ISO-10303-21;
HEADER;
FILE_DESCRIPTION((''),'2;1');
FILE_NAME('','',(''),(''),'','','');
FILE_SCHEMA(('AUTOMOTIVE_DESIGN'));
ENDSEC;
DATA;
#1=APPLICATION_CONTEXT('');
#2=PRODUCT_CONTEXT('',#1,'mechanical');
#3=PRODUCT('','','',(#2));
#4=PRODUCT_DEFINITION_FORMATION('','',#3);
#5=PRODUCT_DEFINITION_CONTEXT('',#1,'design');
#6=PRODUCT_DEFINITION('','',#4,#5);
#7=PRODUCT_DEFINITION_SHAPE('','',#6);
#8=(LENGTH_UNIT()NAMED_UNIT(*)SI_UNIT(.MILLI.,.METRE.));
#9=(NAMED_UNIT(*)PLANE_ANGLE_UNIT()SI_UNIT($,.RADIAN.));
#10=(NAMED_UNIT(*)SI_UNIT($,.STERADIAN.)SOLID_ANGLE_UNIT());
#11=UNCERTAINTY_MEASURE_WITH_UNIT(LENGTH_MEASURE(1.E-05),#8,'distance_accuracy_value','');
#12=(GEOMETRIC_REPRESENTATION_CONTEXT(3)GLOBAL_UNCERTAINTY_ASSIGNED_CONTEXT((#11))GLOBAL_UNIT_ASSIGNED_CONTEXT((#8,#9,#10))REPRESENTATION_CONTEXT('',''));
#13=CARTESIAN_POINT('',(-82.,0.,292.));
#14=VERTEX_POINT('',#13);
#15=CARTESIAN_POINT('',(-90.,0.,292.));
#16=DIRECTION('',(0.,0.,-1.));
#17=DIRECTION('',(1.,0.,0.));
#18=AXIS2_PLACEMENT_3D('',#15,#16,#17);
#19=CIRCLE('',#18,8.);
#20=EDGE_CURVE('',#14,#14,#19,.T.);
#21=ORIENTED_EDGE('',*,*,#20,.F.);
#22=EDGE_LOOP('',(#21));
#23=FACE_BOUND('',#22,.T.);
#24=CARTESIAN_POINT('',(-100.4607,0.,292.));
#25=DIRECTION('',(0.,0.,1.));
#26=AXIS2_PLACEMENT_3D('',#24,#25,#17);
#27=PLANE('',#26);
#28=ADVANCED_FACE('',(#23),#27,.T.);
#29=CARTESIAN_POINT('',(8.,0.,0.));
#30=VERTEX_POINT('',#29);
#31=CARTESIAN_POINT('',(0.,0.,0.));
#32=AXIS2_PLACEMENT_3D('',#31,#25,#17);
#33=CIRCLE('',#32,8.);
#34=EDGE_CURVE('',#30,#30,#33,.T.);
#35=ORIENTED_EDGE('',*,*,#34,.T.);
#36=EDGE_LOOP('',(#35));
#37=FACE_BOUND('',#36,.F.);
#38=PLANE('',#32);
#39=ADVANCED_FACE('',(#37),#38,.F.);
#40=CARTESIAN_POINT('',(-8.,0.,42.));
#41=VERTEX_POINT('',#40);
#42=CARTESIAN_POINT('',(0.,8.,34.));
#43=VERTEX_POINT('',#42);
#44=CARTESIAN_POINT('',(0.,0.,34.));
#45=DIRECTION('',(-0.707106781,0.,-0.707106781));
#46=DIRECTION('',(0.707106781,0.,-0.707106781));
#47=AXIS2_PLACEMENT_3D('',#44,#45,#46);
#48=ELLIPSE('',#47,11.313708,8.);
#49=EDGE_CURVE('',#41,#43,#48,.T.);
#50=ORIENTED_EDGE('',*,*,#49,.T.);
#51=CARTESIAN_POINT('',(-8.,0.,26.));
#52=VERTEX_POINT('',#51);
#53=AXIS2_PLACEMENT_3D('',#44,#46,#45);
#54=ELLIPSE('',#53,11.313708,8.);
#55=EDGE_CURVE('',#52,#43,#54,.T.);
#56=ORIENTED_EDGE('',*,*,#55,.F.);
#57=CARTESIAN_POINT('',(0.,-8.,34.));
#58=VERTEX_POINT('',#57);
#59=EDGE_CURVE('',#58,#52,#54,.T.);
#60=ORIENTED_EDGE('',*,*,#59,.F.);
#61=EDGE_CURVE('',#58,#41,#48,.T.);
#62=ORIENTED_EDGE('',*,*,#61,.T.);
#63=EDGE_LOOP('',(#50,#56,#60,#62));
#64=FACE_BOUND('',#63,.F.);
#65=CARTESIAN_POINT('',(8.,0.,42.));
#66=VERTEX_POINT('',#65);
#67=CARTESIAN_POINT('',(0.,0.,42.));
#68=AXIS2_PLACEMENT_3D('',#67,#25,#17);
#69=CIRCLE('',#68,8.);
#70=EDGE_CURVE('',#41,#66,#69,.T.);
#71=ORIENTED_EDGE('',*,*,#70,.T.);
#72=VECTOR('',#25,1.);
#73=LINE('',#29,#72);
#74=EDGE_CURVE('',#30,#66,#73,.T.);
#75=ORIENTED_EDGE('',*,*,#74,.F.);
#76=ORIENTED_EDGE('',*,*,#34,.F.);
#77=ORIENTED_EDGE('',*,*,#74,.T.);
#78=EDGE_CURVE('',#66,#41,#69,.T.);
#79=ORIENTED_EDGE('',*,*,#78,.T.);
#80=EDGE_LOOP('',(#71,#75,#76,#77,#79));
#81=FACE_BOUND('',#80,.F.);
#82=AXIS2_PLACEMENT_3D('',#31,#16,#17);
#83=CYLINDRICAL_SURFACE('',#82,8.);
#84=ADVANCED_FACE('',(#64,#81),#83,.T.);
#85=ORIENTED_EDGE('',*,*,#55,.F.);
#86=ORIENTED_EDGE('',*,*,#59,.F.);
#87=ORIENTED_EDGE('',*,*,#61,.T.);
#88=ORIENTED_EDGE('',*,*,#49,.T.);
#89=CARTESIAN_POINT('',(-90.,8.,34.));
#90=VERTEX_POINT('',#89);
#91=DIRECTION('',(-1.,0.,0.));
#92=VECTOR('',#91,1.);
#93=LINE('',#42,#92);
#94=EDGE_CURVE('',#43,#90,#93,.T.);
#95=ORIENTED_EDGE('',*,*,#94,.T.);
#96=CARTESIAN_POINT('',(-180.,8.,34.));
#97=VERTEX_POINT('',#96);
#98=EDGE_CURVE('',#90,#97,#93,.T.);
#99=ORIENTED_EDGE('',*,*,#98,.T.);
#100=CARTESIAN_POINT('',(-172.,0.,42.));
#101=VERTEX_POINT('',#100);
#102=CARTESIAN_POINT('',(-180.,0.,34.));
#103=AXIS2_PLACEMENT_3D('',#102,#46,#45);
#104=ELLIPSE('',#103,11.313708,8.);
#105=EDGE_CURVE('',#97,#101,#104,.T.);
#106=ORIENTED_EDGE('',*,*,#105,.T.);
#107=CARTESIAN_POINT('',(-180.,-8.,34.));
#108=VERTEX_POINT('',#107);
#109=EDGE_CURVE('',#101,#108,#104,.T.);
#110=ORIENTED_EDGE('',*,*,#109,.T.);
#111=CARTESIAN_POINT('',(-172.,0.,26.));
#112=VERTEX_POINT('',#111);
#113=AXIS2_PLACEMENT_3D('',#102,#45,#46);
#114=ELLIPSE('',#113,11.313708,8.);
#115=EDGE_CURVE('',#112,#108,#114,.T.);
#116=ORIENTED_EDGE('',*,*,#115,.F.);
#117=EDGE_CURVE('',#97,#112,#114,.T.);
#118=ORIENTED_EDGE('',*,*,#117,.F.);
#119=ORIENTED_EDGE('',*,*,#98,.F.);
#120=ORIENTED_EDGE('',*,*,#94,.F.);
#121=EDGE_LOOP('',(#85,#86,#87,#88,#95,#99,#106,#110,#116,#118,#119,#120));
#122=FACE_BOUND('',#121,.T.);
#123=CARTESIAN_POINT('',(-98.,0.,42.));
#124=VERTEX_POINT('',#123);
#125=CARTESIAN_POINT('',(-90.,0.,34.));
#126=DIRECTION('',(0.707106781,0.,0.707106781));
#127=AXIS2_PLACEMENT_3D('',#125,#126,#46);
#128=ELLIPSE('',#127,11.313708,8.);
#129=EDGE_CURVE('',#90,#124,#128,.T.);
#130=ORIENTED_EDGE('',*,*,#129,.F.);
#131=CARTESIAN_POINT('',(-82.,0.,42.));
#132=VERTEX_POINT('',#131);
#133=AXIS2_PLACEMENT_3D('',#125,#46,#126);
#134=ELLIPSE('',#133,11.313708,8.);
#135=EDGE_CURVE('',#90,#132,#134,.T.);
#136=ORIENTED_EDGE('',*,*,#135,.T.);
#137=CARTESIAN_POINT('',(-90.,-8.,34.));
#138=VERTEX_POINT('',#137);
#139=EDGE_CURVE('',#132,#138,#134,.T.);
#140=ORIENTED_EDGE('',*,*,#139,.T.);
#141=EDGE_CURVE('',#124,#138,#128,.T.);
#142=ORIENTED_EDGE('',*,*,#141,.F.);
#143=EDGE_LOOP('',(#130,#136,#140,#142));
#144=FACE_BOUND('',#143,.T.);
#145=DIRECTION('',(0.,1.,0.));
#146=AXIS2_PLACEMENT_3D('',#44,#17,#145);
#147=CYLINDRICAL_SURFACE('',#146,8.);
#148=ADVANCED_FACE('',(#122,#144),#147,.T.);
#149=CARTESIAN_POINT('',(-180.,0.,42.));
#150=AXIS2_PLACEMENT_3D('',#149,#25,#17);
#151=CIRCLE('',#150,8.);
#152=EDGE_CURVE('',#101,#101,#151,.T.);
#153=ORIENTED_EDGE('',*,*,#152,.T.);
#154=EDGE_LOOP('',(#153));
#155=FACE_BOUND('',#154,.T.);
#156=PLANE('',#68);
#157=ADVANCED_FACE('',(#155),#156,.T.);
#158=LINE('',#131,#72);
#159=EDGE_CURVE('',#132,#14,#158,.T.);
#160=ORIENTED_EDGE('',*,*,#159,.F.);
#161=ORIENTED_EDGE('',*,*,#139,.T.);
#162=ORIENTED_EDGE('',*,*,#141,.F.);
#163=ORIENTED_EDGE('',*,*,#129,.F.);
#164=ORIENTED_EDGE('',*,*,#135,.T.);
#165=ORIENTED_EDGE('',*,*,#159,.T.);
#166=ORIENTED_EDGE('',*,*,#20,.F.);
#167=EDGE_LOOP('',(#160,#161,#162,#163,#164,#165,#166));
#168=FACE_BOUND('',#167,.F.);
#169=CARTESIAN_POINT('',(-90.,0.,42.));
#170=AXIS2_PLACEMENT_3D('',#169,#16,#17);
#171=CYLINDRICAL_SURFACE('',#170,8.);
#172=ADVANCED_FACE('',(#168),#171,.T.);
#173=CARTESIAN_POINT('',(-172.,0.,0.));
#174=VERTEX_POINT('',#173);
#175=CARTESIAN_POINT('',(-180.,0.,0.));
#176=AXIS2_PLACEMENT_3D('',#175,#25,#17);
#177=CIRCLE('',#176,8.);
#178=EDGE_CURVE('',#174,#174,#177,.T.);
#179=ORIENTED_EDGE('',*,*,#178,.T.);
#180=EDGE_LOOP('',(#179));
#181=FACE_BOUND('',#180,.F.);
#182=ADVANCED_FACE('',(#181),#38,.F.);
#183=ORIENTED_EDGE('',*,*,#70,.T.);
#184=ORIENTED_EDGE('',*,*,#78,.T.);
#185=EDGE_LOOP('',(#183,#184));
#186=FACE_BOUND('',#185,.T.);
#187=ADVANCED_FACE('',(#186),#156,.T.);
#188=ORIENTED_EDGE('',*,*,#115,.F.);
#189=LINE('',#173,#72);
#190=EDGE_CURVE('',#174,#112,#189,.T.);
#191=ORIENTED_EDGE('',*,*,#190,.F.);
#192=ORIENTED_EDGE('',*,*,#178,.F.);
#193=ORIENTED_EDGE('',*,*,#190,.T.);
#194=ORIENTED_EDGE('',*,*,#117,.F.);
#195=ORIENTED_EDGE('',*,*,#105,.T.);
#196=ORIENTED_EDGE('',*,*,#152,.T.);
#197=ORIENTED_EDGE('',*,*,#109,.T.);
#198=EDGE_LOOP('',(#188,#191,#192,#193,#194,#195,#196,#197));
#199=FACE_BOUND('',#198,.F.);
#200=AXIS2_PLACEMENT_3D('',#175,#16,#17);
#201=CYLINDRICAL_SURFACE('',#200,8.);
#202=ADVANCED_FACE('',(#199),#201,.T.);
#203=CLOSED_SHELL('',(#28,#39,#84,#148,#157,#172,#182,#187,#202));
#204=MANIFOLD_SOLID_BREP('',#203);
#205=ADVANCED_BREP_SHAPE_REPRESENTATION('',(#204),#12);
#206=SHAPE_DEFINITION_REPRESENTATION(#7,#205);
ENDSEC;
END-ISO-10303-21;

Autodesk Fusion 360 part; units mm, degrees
sketch "Sketch1" plane through (0, 0, 0) normal (0, 0, 1) x (1, 0, 0)
  circle A0 centre (-180, 0) radius 8
  circle A1 centre (0, 0) radius 8
  dimension "d1" = 16
  dimension "d2" = 16
  dimension "d3" = 180
extrude "Extrude1" add sketch "Sketch1" along normal blind 42 makes body 1 at (-172.0099, -0.3988, 28) makes body 2 at (7.9901, -0.3988, 28)
sketch "Sketch2" plane through (0, 0, 0) normal (1, 0, 0) x (0, 1, 0)
  line L0 (8, 42) -> (-8, 42)
  line L1 (8, 0) -> (-8, 0)
  line L2 (0, 42) -> (0, 34) construction
  circle A0 centre (0, 34) radius 8
  dimension "d6" = 8
extrude "Extrude2" add sketch "Sketch2" against normal blind 180 bodies 1 2
ref_plane "WorkPlane1" through (-100.4607, 0, 42) normal (0, 0, 1) x (0, -1, 0)
sketch "Sketch3" plane through (-100.4607, 0, 42) normal (0, 0, 1) x (1, 0, 0)
  arc A0 (-71.5393, 0) -> (-79.5393, 8) centre (-79.5393, 0) ccw
  arc A1 (-79.5393, -8) -> (-71.5393, 0) centre (-79.5393, 0) ccw
  arc A2 (-79.5393, -8) -> (-79.5393, 8) centre (-79.5393, 0) ccw
  arc A3 (100.4607, 8) -> (100.4607, -8) centre (100.4607, 0) ccw
  arc A4 (92.4607, 0) -> (100.4607, -8) centre (100.4607, 0) ccw
  arc A5 (100.4607, 8) -> (92.4607, 0) centre (100.4607, 0) ccw
  circle A6 centre (100.4607, 0) radius 8
  circle A7 centre (-79.5393, 0) radius 8
  line L0 (-79.5393, 0) -> (10.4607, 0) construction
  circle A8 centre (10.4607, 0) radius 8
  dimension "d10" = 90
  dimension "d11" = 16
extrude "Extrude3" add sketch "Sketch3" against normal blind 8 contours A8 bodies 1
extrude "Extrude4" add 1 faces at (-92.292, 0.3187, 42) along direction (0, 0, 1) blind 250 on bodies 1 bodies 1
